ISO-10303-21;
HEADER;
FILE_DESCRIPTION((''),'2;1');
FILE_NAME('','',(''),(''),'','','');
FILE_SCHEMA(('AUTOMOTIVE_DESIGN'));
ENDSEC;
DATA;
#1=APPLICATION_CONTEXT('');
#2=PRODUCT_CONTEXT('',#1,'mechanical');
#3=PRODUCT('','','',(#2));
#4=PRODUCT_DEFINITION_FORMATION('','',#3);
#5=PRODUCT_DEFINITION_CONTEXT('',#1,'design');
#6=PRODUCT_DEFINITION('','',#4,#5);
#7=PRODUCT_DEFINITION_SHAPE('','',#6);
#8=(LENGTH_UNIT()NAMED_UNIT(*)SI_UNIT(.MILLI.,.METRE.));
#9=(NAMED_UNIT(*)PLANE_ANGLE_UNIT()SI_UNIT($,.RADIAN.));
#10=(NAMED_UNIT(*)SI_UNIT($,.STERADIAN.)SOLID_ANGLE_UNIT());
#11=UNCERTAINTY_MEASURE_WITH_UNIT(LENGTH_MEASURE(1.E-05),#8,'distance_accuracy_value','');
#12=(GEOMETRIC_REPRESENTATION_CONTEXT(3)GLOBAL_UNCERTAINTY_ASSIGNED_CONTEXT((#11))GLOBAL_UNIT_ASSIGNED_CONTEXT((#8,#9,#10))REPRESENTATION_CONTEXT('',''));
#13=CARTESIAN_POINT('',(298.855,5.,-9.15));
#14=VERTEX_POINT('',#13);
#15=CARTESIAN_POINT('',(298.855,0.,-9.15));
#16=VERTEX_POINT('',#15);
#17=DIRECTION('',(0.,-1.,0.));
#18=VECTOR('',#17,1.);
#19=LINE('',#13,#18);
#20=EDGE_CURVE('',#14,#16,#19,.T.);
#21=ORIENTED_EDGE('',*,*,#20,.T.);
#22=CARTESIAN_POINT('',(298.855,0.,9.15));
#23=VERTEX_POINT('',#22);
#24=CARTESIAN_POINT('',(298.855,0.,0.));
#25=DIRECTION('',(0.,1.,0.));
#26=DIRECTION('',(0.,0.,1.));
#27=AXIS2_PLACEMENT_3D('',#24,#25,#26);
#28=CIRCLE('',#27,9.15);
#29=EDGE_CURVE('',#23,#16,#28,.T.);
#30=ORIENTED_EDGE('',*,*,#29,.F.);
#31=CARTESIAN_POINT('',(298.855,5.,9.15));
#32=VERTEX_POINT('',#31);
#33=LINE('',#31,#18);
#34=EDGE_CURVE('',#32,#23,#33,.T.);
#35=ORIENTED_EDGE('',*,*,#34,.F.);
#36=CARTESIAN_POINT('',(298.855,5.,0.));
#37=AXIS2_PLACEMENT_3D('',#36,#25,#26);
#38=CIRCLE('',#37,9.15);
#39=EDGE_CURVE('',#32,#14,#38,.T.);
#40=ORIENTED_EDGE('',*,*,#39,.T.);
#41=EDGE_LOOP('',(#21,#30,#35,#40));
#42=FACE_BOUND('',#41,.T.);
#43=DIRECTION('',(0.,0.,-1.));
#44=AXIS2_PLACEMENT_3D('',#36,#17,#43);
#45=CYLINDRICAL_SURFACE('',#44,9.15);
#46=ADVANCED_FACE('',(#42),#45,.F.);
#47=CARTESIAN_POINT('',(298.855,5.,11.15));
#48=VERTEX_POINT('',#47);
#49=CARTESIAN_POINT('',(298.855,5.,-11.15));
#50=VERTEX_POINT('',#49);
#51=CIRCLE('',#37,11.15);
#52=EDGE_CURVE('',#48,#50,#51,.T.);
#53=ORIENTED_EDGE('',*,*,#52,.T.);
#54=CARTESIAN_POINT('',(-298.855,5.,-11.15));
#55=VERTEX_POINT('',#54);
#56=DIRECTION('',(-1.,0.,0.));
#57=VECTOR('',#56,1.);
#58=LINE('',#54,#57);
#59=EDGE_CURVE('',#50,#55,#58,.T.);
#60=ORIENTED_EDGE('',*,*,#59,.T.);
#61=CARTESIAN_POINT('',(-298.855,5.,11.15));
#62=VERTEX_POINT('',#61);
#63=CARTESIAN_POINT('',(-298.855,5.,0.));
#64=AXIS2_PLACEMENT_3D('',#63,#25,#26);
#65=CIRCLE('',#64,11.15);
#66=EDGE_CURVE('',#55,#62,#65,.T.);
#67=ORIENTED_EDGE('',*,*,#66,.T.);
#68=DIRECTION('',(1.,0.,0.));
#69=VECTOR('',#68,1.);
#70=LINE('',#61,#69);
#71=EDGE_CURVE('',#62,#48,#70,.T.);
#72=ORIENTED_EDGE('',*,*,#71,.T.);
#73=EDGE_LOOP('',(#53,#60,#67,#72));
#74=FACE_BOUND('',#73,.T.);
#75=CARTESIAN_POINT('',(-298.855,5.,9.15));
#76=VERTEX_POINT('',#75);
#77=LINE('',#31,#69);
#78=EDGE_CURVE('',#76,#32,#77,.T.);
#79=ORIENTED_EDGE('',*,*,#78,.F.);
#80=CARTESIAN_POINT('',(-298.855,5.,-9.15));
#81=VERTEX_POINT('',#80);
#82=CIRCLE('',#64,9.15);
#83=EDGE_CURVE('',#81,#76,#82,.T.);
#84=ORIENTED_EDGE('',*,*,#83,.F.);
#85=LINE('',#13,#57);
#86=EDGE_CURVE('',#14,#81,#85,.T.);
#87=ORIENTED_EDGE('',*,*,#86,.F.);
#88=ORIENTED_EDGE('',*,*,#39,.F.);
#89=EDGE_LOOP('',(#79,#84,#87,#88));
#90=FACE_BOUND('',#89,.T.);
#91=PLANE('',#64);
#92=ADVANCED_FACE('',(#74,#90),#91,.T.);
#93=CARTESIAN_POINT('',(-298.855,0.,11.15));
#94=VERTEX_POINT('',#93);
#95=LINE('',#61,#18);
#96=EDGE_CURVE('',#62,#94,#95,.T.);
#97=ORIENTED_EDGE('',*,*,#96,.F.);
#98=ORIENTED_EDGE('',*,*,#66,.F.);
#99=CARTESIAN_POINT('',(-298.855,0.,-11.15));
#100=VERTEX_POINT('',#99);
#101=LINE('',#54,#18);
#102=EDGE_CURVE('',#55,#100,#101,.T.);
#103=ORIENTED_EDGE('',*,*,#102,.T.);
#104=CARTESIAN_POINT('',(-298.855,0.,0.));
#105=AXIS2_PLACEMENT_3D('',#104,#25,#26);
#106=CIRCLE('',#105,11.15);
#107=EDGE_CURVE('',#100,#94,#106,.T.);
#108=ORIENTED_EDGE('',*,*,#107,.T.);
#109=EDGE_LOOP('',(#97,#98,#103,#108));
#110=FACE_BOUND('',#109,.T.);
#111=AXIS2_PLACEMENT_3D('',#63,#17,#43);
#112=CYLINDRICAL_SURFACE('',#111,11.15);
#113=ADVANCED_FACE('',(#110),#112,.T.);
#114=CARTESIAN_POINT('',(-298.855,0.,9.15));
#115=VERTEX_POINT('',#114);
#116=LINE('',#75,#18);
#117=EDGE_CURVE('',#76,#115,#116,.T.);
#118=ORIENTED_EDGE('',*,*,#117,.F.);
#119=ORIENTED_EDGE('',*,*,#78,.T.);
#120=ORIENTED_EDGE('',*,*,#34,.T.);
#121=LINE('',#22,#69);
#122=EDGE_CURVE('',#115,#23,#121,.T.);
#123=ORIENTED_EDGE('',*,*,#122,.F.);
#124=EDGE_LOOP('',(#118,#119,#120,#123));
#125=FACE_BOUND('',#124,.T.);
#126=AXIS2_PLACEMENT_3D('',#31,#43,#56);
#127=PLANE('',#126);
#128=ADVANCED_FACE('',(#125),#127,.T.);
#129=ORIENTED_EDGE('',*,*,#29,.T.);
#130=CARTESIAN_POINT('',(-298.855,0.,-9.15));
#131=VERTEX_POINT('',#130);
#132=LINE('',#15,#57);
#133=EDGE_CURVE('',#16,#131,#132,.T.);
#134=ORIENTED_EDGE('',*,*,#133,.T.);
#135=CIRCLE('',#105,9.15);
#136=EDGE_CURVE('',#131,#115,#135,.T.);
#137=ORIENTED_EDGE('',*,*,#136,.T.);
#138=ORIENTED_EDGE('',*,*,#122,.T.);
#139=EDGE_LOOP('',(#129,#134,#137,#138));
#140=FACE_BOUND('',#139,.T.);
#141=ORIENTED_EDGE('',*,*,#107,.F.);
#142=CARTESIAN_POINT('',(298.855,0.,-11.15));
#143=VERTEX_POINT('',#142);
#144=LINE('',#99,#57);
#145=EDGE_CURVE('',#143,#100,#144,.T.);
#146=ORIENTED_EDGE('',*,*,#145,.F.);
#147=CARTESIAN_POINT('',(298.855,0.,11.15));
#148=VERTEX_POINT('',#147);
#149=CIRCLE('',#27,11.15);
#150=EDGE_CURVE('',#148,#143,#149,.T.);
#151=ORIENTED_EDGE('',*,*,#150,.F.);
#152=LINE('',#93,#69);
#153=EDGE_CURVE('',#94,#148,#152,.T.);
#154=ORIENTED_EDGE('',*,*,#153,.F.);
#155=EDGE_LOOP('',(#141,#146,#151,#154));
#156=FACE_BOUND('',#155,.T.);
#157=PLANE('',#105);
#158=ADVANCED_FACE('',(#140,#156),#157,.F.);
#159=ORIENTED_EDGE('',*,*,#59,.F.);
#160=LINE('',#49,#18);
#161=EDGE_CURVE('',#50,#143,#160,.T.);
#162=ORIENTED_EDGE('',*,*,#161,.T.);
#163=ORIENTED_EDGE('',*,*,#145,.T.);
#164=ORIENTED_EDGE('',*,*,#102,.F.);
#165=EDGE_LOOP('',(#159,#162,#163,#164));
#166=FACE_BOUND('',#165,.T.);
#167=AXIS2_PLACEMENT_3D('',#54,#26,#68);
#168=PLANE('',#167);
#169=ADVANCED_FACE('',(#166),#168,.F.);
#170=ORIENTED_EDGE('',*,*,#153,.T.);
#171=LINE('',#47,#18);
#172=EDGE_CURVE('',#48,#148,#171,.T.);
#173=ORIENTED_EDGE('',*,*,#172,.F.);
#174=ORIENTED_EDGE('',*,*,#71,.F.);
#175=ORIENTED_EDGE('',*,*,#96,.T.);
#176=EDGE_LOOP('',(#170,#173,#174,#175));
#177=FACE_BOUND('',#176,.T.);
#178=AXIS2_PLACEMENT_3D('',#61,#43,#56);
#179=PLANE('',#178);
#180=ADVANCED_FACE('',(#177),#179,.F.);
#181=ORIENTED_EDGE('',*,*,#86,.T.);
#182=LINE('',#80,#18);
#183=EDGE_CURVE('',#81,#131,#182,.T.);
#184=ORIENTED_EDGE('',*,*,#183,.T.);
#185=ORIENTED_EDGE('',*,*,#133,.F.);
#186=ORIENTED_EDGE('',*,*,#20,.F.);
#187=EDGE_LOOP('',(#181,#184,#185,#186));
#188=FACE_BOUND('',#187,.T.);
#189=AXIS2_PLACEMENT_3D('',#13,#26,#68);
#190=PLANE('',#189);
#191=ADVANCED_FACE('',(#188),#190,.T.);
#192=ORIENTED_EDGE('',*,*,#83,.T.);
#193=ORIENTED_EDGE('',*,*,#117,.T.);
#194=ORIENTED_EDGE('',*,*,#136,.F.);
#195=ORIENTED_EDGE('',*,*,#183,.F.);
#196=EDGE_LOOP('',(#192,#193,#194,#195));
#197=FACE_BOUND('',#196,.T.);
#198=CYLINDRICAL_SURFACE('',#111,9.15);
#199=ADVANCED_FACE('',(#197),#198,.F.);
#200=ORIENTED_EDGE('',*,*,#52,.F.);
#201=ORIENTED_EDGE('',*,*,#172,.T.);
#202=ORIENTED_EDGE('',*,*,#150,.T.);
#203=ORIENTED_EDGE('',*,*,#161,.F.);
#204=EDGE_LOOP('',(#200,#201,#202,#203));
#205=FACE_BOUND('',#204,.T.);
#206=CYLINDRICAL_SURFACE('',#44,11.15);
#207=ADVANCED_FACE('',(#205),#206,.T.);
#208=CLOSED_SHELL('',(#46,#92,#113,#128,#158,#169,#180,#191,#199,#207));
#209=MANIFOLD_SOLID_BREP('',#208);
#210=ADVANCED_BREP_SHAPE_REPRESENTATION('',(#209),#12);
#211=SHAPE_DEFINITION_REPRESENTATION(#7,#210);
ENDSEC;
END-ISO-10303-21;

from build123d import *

# Parameters (mm, degrees)
BOSS_EXTRUDE1_DEPTH = 5


with BuildPart() as part:
    # Sketch1 → Boss-Extrude1 (new body)
    with BuildSketch(Plane(origin=(0, 0, 0), x_dir=(1, 0, 0), z_dir=(0, 1, 0))):
        with BuildLine():
            Line((-298.855, 11.15), (298.855, 11.15))
            ThreePointArc((298.855, 11.15), (310.005, 0), (298.855, -11.15))
            Line((298.855, -11.15), (-298.855, -11.15))
            ThreePointArc((-298.855, -11.15), (-310.005, 0), (-298.855, 11.15))
        make_face()
        with BuildLine():
            Line((298.855, -9.15), (-298.855, -9.15))
            ThreePointArc((-298.855, -9.15), (-308.005, 0), (-298.855, 9.15))
            Line((-298.855, 9.15), (298.855, 9.15))
            ThreePointArc((298.855, 9.15), (308.005, 0), (298.855, -9.15))
        make_face(mode=Mode.SUBTRACT)
    extrude(amount=BOSS_EXTRUDE1_DEPTH)


solid = part.part
